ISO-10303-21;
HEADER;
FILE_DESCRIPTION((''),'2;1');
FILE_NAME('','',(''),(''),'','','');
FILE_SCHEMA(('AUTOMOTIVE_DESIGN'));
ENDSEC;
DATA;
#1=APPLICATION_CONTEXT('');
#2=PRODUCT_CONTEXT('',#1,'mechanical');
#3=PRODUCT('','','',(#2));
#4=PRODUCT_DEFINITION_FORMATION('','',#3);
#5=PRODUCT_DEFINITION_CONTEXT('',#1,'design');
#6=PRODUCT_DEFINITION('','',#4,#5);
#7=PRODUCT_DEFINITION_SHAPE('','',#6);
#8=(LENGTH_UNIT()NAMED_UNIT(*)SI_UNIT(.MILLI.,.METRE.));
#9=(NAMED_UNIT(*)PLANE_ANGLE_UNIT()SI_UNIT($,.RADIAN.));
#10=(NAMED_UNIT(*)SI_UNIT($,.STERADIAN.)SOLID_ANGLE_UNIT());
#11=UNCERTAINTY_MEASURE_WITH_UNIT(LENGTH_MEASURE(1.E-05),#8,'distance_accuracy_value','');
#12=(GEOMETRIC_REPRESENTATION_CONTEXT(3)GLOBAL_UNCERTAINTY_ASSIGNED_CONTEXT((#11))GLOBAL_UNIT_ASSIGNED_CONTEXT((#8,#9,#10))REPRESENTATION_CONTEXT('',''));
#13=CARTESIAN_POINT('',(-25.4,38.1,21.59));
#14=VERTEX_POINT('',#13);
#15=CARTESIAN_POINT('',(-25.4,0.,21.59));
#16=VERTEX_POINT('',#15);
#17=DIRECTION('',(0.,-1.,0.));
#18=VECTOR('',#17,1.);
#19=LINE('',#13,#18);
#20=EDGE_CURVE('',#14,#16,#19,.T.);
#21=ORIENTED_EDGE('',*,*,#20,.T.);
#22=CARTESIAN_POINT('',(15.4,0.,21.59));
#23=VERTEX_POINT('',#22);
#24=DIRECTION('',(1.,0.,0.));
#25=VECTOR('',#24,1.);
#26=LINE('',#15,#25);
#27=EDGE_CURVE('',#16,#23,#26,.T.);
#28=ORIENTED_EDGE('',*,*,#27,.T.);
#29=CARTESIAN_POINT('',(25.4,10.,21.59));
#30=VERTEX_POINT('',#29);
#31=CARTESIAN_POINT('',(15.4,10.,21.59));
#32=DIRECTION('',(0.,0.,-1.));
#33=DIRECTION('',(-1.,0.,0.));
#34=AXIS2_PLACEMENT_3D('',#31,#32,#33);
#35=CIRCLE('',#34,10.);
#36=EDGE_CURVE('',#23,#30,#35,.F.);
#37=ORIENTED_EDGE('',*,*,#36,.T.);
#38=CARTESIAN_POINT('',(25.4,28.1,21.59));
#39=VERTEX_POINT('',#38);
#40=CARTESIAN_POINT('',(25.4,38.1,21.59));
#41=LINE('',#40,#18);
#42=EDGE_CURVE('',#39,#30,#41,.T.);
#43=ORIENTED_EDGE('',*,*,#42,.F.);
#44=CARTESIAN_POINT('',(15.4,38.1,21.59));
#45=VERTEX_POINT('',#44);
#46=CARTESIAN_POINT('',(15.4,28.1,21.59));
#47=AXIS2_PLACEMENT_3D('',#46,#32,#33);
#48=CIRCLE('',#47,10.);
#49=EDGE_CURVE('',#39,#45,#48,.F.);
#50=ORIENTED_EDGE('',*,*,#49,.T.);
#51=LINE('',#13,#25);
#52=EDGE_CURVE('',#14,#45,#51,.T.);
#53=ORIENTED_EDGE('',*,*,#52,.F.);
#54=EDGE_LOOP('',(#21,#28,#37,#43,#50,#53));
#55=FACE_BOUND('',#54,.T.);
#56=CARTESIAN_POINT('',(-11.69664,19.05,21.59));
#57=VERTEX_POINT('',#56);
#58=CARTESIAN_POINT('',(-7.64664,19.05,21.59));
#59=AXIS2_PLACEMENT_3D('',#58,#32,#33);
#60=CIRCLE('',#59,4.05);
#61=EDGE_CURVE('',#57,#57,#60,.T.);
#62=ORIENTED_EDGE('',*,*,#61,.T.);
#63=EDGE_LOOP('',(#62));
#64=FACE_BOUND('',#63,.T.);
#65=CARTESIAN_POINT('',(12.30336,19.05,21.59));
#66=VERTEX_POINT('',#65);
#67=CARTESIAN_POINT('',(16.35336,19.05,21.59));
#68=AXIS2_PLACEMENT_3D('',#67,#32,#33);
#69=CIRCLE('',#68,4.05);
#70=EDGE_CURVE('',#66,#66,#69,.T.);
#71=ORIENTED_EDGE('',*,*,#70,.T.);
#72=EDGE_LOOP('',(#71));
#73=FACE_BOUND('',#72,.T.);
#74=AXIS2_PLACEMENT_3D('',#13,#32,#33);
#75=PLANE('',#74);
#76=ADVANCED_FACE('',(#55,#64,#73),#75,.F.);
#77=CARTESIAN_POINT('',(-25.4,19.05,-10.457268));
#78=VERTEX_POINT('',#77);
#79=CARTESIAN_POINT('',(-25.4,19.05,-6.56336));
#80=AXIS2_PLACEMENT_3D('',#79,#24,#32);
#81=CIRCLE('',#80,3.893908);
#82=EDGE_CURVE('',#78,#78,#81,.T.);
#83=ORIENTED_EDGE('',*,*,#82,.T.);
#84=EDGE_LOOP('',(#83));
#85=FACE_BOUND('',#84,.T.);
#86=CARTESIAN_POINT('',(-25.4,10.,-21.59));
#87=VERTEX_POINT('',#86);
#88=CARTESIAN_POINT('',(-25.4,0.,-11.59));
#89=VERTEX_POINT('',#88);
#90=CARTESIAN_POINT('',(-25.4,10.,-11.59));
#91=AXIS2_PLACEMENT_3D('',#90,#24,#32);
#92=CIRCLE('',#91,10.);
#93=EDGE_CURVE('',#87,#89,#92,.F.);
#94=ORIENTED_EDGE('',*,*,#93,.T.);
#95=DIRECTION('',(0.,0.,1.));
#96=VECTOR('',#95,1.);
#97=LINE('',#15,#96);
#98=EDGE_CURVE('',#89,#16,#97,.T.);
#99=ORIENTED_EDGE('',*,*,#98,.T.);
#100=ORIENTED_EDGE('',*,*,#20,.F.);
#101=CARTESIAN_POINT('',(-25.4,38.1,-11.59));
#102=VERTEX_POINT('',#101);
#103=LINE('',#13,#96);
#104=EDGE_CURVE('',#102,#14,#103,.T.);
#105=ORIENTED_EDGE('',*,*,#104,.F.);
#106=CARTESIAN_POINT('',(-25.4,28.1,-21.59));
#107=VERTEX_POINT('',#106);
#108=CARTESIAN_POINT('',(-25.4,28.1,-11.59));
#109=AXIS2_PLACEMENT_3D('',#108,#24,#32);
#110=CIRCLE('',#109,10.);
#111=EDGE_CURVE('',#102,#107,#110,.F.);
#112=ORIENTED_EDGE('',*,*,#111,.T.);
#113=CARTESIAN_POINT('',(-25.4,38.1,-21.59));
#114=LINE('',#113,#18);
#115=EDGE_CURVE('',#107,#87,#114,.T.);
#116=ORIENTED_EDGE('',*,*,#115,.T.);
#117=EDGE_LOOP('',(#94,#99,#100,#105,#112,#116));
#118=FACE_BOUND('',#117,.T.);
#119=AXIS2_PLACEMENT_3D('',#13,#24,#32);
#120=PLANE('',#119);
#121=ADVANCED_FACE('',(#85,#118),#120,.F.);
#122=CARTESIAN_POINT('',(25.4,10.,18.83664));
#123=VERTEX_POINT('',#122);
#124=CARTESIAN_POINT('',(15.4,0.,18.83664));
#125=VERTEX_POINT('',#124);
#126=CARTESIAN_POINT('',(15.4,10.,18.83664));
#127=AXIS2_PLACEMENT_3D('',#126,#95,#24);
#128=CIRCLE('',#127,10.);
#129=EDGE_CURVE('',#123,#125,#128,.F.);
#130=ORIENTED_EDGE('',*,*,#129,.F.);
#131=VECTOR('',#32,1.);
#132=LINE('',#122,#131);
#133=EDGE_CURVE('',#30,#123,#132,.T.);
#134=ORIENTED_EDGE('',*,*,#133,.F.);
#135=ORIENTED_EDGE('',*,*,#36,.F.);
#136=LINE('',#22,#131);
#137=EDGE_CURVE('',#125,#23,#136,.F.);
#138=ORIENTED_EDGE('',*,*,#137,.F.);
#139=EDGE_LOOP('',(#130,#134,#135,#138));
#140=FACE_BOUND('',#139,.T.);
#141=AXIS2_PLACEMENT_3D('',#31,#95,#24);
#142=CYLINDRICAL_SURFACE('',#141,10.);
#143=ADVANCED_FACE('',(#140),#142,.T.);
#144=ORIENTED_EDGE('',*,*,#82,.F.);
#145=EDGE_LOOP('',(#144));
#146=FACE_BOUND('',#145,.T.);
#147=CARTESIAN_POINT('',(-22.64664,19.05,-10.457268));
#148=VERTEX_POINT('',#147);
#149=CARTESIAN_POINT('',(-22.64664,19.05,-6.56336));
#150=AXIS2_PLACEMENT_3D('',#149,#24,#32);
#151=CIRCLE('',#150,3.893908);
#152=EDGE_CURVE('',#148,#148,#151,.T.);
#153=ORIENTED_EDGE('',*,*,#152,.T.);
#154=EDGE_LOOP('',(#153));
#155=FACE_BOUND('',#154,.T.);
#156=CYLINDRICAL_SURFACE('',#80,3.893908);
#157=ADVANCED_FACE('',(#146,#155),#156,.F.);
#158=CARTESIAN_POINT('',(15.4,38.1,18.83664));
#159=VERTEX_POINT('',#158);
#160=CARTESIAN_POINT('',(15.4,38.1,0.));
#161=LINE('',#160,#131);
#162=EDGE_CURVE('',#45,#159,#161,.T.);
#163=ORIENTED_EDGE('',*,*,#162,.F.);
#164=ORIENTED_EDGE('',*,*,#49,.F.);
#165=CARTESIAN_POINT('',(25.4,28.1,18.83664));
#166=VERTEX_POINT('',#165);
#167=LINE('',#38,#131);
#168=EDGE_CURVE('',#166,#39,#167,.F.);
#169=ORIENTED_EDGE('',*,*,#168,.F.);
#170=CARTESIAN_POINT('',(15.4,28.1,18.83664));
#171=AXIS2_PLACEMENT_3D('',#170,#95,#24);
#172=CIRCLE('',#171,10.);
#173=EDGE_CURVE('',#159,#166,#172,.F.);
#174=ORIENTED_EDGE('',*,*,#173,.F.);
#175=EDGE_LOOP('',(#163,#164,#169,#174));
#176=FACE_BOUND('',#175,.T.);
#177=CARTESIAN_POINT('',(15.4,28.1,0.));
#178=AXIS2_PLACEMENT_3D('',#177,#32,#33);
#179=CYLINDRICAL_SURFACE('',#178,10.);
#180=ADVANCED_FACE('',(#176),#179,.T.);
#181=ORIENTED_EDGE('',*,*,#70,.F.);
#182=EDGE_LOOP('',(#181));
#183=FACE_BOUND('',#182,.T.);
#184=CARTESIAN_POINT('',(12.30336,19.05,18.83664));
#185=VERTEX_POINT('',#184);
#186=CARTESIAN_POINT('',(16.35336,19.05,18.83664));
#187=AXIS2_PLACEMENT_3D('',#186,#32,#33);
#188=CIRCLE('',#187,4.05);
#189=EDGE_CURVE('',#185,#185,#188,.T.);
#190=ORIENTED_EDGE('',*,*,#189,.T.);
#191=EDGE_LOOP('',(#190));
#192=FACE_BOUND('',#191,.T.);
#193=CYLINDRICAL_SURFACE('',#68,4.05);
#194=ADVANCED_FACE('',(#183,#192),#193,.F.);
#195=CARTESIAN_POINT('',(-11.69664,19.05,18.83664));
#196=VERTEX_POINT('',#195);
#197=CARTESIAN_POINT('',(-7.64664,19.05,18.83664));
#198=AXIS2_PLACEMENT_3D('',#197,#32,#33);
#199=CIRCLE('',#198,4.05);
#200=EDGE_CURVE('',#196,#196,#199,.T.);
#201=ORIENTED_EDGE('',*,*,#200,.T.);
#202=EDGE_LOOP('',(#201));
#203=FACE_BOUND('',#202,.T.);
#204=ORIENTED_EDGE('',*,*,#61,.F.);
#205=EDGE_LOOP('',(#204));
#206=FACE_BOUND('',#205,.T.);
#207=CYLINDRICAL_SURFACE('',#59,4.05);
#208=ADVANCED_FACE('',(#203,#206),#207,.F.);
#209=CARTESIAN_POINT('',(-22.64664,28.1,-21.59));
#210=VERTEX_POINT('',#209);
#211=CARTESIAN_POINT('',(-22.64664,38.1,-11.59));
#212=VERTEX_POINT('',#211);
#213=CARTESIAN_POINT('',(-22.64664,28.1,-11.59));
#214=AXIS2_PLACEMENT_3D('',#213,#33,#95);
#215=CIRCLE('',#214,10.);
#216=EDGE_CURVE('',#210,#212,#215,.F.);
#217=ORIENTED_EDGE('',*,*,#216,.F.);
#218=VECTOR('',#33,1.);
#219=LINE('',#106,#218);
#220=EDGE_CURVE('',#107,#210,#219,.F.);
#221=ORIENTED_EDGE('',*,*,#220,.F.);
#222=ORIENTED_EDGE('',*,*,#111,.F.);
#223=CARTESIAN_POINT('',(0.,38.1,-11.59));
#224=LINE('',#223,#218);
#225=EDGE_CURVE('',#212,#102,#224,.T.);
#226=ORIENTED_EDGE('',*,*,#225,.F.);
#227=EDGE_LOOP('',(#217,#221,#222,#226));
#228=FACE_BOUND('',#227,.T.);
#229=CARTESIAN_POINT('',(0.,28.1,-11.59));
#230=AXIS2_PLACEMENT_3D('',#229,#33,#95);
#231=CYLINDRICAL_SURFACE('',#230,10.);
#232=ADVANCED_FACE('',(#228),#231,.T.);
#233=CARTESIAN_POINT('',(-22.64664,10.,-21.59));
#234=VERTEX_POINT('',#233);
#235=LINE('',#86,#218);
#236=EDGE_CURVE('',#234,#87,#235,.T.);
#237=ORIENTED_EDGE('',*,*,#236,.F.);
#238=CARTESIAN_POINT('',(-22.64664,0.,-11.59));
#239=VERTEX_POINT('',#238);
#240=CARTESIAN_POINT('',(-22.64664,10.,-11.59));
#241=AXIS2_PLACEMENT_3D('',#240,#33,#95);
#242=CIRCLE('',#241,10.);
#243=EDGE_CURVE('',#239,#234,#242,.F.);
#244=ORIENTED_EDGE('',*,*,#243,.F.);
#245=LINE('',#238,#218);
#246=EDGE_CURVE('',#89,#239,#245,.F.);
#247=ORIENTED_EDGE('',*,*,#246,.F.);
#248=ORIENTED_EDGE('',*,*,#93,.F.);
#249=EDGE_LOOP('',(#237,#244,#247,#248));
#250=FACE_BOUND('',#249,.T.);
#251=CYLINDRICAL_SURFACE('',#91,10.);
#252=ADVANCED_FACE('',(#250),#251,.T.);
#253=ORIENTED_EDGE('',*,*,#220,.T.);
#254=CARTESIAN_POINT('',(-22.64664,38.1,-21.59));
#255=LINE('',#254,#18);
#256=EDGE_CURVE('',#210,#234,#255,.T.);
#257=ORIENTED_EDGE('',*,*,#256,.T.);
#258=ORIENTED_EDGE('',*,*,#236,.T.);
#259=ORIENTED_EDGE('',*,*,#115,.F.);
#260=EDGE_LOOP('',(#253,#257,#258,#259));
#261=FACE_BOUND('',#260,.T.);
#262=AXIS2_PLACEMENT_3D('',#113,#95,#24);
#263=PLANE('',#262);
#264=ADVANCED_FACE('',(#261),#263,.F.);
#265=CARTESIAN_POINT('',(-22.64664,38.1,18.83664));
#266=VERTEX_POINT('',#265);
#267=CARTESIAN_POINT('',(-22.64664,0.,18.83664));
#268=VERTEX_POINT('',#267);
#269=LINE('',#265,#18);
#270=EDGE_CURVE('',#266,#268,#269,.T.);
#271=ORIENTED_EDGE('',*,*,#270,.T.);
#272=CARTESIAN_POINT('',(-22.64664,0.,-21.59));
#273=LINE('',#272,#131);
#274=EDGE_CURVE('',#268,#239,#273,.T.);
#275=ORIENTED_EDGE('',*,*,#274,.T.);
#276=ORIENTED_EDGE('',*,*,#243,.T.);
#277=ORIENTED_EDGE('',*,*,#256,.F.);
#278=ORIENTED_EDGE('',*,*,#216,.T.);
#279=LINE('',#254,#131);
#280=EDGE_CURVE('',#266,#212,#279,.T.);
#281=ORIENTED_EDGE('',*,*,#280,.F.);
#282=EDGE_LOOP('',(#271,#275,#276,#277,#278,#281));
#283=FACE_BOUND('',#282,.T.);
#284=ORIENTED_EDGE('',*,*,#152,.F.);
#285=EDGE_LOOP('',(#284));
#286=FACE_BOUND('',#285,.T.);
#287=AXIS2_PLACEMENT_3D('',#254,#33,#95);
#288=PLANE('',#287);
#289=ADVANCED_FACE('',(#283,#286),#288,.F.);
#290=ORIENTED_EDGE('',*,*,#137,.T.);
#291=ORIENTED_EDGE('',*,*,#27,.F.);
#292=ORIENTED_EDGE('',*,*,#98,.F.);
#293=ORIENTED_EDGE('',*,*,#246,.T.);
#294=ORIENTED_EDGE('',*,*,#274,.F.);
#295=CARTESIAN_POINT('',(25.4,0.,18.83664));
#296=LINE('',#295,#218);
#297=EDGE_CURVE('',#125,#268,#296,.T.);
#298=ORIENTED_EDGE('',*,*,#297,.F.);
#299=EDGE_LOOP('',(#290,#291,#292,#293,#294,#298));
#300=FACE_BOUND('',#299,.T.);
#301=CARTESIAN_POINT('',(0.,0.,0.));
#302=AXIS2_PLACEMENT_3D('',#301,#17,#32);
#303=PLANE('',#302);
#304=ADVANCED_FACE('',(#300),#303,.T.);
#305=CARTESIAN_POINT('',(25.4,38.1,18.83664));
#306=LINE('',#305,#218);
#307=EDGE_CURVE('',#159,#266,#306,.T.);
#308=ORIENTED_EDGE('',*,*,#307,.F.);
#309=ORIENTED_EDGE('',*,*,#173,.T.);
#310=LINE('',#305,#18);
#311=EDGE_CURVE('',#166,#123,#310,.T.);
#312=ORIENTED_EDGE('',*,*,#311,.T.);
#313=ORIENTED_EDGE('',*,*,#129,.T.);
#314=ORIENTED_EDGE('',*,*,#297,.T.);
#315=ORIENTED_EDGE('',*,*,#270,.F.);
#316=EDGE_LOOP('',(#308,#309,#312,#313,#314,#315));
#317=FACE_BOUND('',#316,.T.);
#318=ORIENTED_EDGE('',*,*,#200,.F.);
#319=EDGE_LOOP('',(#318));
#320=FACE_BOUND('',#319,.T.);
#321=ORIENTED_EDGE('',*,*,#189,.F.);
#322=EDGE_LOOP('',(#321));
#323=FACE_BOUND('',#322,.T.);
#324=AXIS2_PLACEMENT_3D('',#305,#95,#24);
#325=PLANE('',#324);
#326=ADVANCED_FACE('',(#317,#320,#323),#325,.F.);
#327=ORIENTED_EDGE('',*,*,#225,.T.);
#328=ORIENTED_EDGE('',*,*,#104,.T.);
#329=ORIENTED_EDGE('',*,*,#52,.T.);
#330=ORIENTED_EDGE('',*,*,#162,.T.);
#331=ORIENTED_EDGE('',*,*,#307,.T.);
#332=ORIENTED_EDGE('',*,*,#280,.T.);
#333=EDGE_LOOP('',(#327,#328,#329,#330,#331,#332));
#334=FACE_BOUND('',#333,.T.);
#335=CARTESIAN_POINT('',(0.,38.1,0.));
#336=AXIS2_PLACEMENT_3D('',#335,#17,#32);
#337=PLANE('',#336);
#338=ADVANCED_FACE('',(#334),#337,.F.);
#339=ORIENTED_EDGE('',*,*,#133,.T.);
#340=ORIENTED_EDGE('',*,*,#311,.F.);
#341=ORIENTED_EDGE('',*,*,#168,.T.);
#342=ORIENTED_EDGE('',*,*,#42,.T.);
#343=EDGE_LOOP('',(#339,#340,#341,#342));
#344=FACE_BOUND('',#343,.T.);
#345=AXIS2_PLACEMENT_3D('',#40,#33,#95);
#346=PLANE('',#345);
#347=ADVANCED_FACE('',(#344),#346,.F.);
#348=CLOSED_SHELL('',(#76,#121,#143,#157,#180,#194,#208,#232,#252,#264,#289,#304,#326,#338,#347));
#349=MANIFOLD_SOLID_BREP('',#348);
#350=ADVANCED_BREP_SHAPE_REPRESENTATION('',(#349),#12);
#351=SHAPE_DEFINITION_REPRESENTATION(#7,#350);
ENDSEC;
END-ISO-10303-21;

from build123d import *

# Parameters (mm, degrees)
BOSS_EXTRUDE1_DEPTH = 38.1
FILLET1_R           = 10
SKETCH2_R           = 4.05
CUT_EXTRUDE1_DEPTH  = 3.75336
SKETCH3_R           = 3.893907584
CUT_EXTRUDE2_DEPTH  = 3.75336


with BuildPart() as part:
    # Sketch1 → Boss-Extrude1 (new body)
    with BuildSketch(Plane(origin=(0, 0, 0), x_dir=(1, 0, 0), z_dir=(0, 1, 0))):
        Polygon((-25.4, -21.59), (25.4, -21.59), (25.4, -18.83664), (-22.64664, -18.83664), (-22.64664, 21.59), (-25.4, 21.59), align=None)
    extrude(amount=BOSS_EXTRUDE1_DEPTH)

    # Fillet1
    fillet1_edges = [part.edges().sort_by_distance(p)[0] for p in [
        (25.4, 38.1, 20.21332),
        (-24.02332, 38.1, -21.59),
        (-24.02332, 0, -21.59),
        (25.4, 0, 20.21332),
    ]]
    fillet(fillet1_edges, radius=FILLET1_R)

    # Sketch2 → Cut-Extrude1 (cut, through all)
    with BuildSketch(Plane(origin=(0, 0, 18.83664), x_dir=(-1, 0, 0), z_dir=(0, 0, -1))):
        with Locations((-16.35336, 19.05)):
            Circle(SKETCH2_R)
        with Locations((7.64664, 19.05)):
            Circle(SKETCH2_R)
    extrude(amount=-CUT_EXTRUDE1_DEPTH, mode=Mode.SUBTRACT)

    # Sketch3 → Cut-Extrude2 (cut, through all)
    with BuildSketch(Plane(origin=(-22.64664, 0, 0), x_dir=(0, 0, -1), z_dir=(1, 0, 0))):
        with Locations((6.56336, 19.05)):
            Circle(SKETCH3_R)
    extrude(amount=-CUT_EXTRUDE2_DEPTH, mode=Mode.SUBTRACT)


solid = part.part
